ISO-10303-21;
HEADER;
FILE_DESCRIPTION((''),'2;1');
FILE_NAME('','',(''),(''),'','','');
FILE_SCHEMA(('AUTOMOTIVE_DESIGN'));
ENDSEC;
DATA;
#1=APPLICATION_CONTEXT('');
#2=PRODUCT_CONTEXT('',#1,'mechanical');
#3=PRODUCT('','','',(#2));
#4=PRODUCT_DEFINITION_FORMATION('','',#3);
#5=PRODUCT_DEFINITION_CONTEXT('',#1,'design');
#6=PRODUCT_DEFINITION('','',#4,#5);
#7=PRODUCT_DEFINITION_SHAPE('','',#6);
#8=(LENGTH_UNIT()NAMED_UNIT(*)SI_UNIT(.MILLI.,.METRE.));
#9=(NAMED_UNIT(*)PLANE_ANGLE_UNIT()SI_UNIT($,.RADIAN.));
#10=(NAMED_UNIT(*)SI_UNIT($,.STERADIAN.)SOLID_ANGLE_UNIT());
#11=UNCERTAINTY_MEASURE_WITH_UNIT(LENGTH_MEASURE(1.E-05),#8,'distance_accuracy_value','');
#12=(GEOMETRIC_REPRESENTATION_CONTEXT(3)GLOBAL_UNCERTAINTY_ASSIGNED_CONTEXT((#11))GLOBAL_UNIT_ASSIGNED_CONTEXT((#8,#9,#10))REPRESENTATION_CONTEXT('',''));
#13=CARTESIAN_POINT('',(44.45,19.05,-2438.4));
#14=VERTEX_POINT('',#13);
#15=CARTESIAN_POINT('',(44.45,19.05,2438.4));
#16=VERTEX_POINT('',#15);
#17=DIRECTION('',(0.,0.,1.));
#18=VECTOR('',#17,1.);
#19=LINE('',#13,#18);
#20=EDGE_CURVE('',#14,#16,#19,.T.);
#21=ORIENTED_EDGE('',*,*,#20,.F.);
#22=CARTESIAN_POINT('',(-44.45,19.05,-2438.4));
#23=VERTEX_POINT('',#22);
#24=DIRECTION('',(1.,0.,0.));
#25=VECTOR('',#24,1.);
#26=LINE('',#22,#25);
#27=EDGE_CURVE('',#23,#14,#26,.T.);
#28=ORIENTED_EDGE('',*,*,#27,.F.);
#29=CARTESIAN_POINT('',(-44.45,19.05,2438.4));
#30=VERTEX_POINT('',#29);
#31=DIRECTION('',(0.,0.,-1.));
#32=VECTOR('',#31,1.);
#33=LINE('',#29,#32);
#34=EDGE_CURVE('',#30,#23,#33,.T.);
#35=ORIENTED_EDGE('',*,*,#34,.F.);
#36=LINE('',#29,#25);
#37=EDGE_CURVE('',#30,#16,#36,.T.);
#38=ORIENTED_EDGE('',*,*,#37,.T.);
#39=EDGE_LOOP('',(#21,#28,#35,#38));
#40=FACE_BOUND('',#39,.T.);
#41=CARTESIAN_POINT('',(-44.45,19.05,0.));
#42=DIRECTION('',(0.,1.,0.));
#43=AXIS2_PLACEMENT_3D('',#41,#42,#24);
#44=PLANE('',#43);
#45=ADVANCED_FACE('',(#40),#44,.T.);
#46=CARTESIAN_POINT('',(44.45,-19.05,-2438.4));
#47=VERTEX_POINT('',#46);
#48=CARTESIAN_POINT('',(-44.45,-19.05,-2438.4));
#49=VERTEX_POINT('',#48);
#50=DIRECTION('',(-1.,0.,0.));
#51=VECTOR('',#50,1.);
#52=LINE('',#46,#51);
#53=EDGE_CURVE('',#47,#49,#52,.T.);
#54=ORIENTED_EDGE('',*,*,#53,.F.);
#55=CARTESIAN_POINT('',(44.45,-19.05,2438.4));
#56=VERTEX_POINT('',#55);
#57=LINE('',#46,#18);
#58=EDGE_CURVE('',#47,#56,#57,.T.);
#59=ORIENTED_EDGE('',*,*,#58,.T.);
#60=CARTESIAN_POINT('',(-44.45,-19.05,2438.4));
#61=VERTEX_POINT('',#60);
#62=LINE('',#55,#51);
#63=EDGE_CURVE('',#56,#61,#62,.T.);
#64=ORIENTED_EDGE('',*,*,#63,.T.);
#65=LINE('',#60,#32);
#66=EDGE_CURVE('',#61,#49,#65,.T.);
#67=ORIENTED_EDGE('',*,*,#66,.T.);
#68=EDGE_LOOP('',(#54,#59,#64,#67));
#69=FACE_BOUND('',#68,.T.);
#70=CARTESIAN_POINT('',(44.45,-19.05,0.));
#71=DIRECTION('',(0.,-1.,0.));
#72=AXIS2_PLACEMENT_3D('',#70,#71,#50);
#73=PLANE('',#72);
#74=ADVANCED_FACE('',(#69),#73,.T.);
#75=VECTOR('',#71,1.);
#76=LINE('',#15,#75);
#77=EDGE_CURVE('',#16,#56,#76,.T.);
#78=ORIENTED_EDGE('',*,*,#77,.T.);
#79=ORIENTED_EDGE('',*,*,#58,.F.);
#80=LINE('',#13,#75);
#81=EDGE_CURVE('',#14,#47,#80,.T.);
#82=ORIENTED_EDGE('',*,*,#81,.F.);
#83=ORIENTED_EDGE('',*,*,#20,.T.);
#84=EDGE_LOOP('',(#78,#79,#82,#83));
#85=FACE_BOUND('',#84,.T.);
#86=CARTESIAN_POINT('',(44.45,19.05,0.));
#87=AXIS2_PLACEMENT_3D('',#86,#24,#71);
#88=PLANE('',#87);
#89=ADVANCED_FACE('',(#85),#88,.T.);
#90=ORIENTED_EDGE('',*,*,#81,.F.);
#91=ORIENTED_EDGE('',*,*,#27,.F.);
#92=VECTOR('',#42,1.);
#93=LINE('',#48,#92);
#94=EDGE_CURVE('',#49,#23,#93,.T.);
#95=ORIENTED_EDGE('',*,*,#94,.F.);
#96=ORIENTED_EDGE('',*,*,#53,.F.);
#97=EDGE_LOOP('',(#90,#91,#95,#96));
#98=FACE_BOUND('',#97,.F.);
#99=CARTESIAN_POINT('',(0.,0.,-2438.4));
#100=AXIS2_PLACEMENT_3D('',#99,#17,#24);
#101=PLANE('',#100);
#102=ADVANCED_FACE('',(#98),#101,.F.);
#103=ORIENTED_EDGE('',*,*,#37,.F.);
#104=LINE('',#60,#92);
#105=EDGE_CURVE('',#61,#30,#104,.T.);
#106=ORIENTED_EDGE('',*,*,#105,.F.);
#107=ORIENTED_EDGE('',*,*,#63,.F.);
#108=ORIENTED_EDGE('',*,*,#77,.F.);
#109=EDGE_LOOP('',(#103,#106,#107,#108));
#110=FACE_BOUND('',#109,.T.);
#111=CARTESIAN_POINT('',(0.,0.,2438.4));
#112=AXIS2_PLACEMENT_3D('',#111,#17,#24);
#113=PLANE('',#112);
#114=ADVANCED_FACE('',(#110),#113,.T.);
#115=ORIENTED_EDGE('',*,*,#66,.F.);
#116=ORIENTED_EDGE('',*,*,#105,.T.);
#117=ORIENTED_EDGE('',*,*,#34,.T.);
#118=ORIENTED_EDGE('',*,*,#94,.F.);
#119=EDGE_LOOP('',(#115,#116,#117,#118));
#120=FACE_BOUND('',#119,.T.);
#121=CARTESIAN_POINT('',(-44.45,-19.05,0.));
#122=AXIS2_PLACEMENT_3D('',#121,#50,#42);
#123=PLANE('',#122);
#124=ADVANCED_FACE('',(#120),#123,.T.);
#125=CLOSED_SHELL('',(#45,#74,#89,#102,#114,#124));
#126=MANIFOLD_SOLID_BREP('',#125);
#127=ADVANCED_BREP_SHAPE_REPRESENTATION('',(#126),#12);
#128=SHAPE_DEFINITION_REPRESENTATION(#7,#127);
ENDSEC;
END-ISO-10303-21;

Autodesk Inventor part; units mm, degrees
ref_plane "YZ Plane" through (0, 0, 0) normal (1, 0, 0) x (0, 1, 0)
ref_plane "XZ Plane" through (0, 0, 0) normal (0, 1, 0) x (-1, 0, 0)
ref_plane "XY Plane" through (0, 0, 0) normal (0, 0, 1) x (1, 0, 0)
sketch "Sketch1" plane through (0, 0, 0) normal (0, 0, 1) x (1, 0, 0)
  line L0 (44.45, -19.05) -> (-44.45, -19.05)
  line L1 (-44.45, -19.05) -> (-44.45, 19.05)
  line L2 (-44.45, 19.05) -> (44.45, 19.05)
  line L3 (44.45, 19.05) -> (44.45, -19.05)
  line L4 (44.45, -19.05) -> (-44.45, 19.05) construction
  line L5 (-44.45, -19.05) -> (44.45, 19.05) construction
  point P0 (0, 0)
  dimension "d0" = 88.9
  dimension "d1" = 38.1
extrude "Extrusion1" add sketch "Sketch1" along normal mid plane 4876.8
properties part number "2x4x192"
